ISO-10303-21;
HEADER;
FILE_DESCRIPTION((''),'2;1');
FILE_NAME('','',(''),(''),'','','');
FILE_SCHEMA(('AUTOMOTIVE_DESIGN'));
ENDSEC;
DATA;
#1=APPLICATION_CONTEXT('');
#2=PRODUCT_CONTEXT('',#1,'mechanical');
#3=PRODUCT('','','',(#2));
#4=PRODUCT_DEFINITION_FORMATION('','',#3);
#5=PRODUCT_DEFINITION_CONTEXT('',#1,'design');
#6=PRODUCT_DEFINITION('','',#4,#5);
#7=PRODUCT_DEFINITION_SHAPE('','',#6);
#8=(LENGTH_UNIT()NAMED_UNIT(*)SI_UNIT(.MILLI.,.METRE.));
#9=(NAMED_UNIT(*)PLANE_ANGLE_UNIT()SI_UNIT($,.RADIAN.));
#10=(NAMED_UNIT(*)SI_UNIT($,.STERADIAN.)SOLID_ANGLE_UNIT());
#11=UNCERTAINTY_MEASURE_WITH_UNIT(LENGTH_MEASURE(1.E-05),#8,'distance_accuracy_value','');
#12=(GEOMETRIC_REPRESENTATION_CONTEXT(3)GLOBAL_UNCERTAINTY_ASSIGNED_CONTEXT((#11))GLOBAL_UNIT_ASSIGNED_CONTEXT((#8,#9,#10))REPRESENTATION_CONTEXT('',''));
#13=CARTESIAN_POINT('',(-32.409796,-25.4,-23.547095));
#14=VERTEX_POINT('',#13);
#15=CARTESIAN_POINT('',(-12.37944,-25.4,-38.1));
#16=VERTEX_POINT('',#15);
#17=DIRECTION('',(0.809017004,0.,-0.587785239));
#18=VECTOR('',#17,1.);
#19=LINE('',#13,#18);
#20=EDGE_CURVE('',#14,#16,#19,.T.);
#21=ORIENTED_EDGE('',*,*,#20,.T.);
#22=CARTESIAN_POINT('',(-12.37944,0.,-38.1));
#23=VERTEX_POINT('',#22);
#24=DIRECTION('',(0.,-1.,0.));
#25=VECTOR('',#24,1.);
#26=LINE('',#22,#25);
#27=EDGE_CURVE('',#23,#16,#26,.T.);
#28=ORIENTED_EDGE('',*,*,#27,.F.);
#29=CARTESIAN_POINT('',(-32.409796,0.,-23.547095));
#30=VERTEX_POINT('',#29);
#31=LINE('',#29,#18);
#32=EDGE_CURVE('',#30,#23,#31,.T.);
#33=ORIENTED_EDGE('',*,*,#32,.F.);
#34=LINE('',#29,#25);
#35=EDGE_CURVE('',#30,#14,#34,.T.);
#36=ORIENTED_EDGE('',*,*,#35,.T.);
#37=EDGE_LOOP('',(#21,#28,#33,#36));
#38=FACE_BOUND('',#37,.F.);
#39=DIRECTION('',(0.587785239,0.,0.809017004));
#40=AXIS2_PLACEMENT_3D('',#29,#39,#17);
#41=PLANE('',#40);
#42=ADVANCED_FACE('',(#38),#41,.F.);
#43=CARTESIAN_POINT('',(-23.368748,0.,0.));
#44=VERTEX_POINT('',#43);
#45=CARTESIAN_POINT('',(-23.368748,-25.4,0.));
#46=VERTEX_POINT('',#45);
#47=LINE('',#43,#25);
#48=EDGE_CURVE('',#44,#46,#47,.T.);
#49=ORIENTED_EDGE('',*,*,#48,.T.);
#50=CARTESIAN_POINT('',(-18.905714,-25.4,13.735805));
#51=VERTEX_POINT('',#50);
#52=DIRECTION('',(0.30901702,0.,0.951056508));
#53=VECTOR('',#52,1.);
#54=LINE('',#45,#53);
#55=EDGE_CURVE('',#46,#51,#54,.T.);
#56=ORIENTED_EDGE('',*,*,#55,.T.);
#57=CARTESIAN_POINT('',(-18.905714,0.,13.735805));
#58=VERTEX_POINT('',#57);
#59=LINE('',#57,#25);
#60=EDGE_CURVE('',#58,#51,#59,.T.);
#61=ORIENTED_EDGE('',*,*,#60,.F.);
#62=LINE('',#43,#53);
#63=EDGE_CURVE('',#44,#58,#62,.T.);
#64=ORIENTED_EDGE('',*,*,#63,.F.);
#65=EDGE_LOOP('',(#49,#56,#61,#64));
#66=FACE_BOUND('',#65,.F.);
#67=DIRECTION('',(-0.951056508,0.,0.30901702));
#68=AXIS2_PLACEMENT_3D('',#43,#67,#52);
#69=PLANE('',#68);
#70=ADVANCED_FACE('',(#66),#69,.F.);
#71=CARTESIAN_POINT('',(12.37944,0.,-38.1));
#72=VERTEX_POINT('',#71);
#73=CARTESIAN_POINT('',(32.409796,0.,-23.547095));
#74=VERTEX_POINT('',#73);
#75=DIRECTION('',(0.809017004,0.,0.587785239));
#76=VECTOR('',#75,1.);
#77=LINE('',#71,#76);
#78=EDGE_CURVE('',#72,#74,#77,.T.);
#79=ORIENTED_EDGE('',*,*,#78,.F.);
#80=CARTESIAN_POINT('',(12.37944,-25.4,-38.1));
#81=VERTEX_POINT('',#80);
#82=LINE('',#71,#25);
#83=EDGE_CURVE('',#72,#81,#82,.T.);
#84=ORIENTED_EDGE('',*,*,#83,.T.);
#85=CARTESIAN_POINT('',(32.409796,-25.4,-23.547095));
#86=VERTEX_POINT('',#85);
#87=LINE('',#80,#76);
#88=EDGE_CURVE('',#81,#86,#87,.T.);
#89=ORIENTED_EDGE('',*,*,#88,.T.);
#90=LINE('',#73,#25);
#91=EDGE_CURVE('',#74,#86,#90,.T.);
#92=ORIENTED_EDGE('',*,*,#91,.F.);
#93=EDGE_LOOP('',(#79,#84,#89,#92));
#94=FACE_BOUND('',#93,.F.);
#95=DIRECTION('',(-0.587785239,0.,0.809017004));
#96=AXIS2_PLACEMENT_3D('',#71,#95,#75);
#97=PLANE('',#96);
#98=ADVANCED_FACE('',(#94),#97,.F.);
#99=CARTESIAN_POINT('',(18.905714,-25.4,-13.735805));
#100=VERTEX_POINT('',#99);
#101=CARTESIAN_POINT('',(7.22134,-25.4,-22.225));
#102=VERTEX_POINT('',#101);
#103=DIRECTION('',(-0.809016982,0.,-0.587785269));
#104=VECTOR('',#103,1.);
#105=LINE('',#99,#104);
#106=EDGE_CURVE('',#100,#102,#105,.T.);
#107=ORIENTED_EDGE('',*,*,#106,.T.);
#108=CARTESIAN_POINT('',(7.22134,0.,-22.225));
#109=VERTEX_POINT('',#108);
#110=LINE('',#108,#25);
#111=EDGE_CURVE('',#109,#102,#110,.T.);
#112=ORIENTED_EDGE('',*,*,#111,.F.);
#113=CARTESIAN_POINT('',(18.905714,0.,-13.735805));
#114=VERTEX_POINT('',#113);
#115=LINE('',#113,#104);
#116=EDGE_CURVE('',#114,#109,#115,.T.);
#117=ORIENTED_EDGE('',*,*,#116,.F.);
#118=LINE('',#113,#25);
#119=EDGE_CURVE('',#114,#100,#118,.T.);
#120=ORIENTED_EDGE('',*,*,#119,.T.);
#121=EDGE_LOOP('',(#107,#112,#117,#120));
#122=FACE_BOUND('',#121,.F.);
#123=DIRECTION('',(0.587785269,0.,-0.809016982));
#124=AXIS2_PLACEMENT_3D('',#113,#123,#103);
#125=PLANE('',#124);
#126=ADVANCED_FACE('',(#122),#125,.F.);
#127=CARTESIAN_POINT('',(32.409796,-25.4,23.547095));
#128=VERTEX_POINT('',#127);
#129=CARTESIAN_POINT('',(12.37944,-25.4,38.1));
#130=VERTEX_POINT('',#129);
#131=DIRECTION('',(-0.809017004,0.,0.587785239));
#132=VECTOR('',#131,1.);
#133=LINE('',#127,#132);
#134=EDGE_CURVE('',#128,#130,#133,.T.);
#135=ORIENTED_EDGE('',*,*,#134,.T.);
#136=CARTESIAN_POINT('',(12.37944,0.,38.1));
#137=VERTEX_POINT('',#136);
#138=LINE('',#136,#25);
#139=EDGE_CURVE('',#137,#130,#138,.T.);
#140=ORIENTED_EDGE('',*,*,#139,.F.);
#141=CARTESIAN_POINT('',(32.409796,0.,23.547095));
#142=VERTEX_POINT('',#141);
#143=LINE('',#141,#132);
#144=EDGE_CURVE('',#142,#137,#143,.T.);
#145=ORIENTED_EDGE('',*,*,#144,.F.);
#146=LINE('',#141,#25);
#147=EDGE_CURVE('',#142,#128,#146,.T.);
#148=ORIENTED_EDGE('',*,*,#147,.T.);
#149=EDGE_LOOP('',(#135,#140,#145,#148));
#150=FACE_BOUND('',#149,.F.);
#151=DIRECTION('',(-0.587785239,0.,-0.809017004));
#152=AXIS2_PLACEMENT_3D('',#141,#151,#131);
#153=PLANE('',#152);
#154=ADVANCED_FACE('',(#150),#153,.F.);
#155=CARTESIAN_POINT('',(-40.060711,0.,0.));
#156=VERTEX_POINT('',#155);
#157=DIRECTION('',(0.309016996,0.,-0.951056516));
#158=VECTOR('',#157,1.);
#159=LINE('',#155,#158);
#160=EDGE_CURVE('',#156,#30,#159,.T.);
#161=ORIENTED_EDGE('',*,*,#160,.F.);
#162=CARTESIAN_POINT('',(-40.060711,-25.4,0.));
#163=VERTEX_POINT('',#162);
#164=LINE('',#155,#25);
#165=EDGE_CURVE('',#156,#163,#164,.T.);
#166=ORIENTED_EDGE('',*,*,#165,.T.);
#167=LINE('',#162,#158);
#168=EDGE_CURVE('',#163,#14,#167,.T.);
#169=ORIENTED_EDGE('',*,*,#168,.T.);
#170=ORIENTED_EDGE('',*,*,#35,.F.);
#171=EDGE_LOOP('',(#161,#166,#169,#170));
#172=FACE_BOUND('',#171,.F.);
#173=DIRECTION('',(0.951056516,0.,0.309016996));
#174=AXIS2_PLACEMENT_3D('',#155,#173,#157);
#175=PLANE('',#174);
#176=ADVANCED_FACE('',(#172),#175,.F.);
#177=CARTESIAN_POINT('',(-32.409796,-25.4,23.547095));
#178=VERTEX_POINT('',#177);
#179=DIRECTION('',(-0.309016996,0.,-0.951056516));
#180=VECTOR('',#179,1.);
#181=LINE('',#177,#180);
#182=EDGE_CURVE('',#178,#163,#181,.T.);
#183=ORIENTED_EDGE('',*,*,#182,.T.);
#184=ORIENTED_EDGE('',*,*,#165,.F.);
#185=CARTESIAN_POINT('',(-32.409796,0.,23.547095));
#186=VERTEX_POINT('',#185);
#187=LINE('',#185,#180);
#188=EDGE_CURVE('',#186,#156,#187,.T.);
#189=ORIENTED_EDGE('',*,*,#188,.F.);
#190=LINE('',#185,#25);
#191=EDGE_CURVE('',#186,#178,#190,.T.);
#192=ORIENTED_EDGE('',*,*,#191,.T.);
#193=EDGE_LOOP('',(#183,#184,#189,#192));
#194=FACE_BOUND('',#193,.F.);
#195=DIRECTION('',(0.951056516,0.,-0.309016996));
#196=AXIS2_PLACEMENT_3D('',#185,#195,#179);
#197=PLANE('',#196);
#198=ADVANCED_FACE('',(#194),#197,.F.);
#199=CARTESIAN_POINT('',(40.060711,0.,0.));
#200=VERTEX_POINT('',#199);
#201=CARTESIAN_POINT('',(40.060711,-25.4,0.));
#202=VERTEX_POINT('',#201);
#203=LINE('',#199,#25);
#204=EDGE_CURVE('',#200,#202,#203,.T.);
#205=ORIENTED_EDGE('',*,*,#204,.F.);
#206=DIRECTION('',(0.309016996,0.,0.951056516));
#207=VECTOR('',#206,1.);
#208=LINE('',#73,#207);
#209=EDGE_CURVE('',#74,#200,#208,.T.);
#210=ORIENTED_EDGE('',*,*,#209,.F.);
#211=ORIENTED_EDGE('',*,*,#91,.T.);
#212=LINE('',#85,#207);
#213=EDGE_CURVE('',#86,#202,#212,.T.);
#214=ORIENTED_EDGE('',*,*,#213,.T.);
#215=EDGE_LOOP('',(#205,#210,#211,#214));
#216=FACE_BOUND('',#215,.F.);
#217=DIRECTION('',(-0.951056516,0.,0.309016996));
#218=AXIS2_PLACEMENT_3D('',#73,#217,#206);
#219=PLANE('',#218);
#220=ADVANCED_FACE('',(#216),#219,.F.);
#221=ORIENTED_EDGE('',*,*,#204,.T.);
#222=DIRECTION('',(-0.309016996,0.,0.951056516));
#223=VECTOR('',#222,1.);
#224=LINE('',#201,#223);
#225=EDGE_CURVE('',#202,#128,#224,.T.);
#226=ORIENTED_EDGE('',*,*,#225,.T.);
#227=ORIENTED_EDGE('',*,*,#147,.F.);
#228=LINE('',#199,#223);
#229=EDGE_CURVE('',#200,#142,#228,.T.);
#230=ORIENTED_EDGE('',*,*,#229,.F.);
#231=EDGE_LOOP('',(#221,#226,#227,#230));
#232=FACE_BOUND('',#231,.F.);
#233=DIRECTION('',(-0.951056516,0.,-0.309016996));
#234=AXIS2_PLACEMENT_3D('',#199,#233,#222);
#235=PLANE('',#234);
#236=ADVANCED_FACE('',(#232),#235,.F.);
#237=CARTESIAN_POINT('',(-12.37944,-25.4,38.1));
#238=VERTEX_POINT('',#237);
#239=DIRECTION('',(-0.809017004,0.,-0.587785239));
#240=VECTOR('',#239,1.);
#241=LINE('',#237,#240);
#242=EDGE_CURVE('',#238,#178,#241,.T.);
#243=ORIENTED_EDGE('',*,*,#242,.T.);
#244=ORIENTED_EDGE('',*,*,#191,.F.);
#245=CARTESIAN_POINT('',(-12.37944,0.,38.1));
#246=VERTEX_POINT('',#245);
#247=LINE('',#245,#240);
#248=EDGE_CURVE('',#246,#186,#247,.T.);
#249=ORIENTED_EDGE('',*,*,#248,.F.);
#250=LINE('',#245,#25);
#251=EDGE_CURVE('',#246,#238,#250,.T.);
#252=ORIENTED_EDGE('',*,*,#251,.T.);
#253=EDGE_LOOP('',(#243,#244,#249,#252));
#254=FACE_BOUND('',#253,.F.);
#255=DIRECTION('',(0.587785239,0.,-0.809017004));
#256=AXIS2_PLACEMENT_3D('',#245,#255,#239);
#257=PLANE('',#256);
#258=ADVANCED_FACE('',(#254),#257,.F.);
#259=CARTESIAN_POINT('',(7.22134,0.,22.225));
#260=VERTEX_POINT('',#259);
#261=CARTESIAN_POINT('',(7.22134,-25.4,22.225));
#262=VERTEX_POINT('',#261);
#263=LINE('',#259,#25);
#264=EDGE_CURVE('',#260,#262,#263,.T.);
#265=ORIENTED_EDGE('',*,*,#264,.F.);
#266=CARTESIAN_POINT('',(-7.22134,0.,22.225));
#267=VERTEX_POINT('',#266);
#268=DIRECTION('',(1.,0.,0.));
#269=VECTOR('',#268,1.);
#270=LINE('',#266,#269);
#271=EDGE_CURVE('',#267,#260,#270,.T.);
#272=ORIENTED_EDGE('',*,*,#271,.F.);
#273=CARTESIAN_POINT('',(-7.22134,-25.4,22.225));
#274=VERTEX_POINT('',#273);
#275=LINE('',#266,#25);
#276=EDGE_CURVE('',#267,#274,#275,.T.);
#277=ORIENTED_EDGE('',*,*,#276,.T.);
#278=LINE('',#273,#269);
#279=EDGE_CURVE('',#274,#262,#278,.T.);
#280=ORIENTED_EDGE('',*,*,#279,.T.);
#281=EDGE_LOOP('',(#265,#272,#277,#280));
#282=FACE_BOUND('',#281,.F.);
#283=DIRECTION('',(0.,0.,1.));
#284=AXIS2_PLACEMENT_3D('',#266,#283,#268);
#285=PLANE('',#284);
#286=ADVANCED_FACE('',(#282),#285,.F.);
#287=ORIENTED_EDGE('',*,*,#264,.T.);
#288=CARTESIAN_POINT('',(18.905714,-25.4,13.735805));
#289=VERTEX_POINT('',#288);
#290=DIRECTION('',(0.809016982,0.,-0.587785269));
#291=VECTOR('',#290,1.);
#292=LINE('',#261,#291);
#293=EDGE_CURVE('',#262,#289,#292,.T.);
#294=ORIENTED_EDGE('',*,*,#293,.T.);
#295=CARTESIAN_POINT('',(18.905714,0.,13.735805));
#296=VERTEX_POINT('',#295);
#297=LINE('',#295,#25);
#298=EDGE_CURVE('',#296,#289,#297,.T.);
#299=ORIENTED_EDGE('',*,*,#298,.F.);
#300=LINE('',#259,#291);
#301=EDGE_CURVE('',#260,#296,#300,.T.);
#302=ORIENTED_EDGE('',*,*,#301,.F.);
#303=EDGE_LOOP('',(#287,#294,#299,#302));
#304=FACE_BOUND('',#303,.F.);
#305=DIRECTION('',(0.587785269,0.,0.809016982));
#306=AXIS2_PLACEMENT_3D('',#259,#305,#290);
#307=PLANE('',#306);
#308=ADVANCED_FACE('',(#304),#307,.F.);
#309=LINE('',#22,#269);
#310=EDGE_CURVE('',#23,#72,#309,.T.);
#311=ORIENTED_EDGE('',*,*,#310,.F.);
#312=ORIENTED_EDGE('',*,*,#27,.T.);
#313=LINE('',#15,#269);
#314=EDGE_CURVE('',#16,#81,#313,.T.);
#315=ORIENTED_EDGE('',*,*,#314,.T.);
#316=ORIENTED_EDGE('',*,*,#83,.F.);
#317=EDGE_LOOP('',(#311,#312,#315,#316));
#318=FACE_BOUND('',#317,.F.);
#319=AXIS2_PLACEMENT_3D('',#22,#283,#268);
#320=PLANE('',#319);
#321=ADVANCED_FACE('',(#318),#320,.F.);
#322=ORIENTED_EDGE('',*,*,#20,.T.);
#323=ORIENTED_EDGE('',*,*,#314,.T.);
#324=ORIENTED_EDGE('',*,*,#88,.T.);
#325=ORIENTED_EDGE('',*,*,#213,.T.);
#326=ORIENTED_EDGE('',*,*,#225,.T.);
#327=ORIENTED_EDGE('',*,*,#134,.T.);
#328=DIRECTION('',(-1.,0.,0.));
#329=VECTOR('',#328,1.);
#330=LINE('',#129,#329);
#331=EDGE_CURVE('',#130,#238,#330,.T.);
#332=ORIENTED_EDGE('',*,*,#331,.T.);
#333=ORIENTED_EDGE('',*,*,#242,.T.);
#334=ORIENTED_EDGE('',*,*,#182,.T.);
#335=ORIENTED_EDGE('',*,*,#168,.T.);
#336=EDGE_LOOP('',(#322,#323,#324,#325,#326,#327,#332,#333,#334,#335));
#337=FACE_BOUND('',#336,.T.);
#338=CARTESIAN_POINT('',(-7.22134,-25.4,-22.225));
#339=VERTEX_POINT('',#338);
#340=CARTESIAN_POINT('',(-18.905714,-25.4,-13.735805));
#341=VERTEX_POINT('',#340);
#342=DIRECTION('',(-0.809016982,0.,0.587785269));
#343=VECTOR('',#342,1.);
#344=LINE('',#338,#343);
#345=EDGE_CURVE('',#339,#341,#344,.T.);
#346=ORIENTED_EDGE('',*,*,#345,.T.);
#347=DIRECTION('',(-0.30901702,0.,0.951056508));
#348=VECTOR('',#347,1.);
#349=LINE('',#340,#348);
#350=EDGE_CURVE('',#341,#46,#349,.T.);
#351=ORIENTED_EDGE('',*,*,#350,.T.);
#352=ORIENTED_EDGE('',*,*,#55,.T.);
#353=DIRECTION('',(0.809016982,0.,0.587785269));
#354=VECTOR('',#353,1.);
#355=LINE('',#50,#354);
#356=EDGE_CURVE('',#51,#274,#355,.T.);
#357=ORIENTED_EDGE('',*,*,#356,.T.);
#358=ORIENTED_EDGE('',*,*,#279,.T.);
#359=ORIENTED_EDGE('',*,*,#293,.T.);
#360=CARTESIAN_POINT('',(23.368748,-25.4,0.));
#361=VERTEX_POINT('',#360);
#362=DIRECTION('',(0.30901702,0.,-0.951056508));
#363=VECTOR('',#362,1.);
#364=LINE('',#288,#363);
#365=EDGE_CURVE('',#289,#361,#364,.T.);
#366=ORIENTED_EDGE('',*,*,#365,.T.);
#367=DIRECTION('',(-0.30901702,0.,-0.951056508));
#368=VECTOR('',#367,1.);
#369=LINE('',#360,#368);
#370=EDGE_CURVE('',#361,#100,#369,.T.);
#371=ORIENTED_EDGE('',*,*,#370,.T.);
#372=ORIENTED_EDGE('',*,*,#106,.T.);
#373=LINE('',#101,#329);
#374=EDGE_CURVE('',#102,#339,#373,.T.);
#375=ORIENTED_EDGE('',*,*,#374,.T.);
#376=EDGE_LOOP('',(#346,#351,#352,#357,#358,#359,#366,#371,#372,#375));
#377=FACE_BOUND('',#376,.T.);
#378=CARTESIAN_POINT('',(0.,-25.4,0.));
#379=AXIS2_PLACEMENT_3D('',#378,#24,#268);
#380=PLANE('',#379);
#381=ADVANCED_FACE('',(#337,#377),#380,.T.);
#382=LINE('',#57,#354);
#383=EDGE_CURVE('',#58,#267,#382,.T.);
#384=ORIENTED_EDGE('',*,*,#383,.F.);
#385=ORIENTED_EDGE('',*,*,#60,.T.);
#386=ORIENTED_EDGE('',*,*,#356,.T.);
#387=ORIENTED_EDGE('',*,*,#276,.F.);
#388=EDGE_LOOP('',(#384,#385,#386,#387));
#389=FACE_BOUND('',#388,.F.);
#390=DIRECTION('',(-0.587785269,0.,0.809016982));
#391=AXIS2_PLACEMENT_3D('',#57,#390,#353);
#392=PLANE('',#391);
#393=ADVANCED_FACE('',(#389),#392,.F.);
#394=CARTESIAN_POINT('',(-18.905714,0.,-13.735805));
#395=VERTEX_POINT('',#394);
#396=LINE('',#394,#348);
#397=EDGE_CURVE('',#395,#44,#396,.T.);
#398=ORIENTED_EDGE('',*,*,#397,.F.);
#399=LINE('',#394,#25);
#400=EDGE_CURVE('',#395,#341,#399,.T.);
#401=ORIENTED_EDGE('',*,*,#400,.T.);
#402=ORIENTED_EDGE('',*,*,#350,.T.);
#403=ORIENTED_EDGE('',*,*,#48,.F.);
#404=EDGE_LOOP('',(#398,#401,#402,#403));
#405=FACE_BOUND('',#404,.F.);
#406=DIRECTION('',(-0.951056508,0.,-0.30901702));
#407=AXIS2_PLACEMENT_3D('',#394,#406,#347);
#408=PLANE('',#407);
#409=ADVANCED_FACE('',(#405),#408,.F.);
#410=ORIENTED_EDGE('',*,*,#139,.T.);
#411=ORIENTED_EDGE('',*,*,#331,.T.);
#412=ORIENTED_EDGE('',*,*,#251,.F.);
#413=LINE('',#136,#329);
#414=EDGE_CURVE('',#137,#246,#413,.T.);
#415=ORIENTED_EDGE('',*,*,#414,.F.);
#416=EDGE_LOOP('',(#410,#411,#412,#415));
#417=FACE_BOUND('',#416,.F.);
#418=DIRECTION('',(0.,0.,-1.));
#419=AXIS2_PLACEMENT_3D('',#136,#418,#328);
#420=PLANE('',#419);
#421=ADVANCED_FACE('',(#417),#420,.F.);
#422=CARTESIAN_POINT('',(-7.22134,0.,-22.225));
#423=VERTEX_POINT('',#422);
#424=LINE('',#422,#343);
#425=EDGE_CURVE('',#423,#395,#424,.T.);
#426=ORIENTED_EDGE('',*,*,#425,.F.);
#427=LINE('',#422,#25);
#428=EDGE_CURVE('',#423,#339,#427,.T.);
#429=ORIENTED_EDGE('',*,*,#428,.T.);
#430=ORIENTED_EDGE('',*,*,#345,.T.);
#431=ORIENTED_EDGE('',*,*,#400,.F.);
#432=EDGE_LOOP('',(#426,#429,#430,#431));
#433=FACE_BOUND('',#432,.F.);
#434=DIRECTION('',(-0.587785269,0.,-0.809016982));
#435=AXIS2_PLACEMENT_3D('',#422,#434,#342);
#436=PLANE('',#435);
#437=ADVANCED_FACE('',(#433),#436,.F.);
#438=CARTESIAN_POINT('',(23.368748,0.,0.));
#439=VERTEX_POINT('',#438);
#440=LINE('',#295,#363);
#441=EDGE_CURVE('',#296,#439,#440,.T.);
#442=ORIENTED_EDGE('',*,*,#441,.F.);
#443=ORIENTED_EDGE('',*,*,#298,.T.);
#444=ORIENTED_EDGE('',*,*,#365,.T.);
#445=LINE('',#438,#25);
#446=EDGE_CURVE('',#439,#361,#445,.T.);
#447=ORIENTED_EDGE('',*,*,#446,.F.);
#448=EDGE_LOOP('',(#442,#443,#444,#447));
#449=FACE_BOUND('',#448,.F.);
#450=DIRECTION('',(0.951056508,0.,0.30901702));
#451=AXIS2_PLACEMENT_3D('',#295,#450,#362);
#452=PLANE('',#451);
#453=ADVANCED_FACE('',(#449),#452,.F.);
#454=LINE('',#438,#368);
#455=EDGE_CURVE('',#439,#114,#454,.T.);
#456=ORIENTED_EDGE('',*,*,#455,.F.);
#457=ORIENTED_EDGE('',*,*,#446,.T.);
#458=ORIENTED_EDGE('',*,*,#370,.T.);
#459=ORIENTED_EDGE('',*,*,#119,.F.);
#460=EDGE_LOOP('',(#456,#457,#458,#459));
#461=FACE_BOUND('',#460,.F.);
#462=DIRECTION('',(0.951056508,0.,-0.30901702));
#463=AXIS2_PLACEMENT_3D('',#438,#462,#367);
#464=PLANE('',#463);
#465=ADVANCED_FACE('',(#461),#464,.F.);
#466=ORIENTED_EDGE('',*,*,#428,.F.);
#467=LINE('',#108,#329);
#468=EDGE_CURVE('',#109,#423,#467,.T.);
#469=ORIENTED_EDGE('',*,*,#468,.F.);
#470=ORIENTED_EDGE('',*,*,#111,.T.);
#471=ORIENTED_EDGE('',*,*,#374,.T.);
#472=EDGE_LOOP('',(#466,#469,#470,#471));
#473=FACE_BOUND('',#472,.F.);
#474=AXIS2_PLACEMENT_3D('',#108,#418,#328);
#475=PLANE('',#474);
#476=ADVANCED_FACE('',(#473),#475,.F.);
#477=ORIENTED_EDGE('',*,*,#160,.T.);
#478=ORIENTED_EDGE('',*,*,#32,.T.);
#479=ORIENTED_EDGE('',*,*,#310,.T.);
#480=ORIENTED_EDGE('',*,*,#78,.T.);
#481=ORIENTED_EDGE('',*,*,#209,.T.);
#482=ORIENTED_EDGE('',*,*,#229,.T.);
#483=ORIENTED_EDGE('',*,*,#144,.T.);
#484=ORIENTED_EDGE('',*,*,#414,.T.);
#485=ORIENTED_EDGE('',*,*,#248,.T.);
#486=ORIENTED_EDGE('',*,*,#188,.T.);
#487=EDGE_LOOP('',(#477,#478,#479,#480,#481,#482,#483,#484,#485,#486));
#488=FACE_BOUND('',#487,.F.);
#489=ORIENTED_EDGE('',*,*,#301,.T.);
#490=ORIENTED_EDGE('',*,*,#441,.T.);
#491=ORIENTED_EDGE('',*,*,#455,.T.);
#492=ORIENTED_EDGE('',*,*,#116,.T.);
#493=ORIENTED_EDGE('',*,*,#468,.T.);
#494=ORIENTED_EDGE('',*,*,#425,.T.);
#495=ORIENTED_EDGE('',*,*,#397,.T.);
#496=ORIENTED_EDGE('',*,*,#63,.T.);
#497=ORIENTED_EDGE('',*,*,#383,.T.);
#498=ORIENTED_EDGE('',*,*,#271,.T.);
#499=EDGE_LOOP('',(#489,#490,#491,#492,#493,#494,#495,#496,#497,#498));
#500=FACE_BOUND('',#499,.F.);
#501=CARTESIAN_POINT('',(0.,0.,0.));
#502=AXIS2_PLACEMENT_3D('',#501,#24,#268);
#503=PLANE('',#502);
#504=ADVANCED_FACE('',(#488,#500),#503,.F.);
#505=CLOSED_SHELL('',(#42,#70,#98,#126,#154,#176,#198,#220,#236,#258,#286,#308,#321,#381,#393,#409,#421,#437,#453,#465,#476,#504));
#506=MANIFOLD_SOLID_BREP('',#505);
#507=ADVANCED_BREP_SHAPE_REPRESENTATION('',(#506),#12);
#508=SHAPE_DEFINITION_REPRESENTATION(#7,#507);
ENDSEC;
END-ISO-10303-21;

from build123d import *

# Parameters (mm, degrees)
F1_DEPTH = 25.4


with BuildPart() as f1:
    # F0 (on Front) → F1 (new body)
    with BuildSketch(Plane.XZ):
        Polygon((12.37944, 38.1), (0, 38.1), (-12.37944, 38.1), (-32.409796, 23.547095), (-40.060711, 0), (-32.409796, -23.547095), (-12.37944, -38.1), (12.37944, -38.1), (32.409796, -23.547095), (40.060711, 0), (32.409796, 23.547095), align=None)
        Polygon((-7.22134, 22.225), (0, 22.225), (7.22134, 22.225), (18.905714, 13.735805), (23.368748, 0), (18.905714, -13.735805), (7.22134, -22.225), (-7.22134, -22.225), (-18.905714, -13.735805), (-23.368748, 0), (-18.905714, 13.735805), align=None, mode=Mode.SUBTRACT)
    extrude(amount=F1_DEPTH)


solid = f1.part
